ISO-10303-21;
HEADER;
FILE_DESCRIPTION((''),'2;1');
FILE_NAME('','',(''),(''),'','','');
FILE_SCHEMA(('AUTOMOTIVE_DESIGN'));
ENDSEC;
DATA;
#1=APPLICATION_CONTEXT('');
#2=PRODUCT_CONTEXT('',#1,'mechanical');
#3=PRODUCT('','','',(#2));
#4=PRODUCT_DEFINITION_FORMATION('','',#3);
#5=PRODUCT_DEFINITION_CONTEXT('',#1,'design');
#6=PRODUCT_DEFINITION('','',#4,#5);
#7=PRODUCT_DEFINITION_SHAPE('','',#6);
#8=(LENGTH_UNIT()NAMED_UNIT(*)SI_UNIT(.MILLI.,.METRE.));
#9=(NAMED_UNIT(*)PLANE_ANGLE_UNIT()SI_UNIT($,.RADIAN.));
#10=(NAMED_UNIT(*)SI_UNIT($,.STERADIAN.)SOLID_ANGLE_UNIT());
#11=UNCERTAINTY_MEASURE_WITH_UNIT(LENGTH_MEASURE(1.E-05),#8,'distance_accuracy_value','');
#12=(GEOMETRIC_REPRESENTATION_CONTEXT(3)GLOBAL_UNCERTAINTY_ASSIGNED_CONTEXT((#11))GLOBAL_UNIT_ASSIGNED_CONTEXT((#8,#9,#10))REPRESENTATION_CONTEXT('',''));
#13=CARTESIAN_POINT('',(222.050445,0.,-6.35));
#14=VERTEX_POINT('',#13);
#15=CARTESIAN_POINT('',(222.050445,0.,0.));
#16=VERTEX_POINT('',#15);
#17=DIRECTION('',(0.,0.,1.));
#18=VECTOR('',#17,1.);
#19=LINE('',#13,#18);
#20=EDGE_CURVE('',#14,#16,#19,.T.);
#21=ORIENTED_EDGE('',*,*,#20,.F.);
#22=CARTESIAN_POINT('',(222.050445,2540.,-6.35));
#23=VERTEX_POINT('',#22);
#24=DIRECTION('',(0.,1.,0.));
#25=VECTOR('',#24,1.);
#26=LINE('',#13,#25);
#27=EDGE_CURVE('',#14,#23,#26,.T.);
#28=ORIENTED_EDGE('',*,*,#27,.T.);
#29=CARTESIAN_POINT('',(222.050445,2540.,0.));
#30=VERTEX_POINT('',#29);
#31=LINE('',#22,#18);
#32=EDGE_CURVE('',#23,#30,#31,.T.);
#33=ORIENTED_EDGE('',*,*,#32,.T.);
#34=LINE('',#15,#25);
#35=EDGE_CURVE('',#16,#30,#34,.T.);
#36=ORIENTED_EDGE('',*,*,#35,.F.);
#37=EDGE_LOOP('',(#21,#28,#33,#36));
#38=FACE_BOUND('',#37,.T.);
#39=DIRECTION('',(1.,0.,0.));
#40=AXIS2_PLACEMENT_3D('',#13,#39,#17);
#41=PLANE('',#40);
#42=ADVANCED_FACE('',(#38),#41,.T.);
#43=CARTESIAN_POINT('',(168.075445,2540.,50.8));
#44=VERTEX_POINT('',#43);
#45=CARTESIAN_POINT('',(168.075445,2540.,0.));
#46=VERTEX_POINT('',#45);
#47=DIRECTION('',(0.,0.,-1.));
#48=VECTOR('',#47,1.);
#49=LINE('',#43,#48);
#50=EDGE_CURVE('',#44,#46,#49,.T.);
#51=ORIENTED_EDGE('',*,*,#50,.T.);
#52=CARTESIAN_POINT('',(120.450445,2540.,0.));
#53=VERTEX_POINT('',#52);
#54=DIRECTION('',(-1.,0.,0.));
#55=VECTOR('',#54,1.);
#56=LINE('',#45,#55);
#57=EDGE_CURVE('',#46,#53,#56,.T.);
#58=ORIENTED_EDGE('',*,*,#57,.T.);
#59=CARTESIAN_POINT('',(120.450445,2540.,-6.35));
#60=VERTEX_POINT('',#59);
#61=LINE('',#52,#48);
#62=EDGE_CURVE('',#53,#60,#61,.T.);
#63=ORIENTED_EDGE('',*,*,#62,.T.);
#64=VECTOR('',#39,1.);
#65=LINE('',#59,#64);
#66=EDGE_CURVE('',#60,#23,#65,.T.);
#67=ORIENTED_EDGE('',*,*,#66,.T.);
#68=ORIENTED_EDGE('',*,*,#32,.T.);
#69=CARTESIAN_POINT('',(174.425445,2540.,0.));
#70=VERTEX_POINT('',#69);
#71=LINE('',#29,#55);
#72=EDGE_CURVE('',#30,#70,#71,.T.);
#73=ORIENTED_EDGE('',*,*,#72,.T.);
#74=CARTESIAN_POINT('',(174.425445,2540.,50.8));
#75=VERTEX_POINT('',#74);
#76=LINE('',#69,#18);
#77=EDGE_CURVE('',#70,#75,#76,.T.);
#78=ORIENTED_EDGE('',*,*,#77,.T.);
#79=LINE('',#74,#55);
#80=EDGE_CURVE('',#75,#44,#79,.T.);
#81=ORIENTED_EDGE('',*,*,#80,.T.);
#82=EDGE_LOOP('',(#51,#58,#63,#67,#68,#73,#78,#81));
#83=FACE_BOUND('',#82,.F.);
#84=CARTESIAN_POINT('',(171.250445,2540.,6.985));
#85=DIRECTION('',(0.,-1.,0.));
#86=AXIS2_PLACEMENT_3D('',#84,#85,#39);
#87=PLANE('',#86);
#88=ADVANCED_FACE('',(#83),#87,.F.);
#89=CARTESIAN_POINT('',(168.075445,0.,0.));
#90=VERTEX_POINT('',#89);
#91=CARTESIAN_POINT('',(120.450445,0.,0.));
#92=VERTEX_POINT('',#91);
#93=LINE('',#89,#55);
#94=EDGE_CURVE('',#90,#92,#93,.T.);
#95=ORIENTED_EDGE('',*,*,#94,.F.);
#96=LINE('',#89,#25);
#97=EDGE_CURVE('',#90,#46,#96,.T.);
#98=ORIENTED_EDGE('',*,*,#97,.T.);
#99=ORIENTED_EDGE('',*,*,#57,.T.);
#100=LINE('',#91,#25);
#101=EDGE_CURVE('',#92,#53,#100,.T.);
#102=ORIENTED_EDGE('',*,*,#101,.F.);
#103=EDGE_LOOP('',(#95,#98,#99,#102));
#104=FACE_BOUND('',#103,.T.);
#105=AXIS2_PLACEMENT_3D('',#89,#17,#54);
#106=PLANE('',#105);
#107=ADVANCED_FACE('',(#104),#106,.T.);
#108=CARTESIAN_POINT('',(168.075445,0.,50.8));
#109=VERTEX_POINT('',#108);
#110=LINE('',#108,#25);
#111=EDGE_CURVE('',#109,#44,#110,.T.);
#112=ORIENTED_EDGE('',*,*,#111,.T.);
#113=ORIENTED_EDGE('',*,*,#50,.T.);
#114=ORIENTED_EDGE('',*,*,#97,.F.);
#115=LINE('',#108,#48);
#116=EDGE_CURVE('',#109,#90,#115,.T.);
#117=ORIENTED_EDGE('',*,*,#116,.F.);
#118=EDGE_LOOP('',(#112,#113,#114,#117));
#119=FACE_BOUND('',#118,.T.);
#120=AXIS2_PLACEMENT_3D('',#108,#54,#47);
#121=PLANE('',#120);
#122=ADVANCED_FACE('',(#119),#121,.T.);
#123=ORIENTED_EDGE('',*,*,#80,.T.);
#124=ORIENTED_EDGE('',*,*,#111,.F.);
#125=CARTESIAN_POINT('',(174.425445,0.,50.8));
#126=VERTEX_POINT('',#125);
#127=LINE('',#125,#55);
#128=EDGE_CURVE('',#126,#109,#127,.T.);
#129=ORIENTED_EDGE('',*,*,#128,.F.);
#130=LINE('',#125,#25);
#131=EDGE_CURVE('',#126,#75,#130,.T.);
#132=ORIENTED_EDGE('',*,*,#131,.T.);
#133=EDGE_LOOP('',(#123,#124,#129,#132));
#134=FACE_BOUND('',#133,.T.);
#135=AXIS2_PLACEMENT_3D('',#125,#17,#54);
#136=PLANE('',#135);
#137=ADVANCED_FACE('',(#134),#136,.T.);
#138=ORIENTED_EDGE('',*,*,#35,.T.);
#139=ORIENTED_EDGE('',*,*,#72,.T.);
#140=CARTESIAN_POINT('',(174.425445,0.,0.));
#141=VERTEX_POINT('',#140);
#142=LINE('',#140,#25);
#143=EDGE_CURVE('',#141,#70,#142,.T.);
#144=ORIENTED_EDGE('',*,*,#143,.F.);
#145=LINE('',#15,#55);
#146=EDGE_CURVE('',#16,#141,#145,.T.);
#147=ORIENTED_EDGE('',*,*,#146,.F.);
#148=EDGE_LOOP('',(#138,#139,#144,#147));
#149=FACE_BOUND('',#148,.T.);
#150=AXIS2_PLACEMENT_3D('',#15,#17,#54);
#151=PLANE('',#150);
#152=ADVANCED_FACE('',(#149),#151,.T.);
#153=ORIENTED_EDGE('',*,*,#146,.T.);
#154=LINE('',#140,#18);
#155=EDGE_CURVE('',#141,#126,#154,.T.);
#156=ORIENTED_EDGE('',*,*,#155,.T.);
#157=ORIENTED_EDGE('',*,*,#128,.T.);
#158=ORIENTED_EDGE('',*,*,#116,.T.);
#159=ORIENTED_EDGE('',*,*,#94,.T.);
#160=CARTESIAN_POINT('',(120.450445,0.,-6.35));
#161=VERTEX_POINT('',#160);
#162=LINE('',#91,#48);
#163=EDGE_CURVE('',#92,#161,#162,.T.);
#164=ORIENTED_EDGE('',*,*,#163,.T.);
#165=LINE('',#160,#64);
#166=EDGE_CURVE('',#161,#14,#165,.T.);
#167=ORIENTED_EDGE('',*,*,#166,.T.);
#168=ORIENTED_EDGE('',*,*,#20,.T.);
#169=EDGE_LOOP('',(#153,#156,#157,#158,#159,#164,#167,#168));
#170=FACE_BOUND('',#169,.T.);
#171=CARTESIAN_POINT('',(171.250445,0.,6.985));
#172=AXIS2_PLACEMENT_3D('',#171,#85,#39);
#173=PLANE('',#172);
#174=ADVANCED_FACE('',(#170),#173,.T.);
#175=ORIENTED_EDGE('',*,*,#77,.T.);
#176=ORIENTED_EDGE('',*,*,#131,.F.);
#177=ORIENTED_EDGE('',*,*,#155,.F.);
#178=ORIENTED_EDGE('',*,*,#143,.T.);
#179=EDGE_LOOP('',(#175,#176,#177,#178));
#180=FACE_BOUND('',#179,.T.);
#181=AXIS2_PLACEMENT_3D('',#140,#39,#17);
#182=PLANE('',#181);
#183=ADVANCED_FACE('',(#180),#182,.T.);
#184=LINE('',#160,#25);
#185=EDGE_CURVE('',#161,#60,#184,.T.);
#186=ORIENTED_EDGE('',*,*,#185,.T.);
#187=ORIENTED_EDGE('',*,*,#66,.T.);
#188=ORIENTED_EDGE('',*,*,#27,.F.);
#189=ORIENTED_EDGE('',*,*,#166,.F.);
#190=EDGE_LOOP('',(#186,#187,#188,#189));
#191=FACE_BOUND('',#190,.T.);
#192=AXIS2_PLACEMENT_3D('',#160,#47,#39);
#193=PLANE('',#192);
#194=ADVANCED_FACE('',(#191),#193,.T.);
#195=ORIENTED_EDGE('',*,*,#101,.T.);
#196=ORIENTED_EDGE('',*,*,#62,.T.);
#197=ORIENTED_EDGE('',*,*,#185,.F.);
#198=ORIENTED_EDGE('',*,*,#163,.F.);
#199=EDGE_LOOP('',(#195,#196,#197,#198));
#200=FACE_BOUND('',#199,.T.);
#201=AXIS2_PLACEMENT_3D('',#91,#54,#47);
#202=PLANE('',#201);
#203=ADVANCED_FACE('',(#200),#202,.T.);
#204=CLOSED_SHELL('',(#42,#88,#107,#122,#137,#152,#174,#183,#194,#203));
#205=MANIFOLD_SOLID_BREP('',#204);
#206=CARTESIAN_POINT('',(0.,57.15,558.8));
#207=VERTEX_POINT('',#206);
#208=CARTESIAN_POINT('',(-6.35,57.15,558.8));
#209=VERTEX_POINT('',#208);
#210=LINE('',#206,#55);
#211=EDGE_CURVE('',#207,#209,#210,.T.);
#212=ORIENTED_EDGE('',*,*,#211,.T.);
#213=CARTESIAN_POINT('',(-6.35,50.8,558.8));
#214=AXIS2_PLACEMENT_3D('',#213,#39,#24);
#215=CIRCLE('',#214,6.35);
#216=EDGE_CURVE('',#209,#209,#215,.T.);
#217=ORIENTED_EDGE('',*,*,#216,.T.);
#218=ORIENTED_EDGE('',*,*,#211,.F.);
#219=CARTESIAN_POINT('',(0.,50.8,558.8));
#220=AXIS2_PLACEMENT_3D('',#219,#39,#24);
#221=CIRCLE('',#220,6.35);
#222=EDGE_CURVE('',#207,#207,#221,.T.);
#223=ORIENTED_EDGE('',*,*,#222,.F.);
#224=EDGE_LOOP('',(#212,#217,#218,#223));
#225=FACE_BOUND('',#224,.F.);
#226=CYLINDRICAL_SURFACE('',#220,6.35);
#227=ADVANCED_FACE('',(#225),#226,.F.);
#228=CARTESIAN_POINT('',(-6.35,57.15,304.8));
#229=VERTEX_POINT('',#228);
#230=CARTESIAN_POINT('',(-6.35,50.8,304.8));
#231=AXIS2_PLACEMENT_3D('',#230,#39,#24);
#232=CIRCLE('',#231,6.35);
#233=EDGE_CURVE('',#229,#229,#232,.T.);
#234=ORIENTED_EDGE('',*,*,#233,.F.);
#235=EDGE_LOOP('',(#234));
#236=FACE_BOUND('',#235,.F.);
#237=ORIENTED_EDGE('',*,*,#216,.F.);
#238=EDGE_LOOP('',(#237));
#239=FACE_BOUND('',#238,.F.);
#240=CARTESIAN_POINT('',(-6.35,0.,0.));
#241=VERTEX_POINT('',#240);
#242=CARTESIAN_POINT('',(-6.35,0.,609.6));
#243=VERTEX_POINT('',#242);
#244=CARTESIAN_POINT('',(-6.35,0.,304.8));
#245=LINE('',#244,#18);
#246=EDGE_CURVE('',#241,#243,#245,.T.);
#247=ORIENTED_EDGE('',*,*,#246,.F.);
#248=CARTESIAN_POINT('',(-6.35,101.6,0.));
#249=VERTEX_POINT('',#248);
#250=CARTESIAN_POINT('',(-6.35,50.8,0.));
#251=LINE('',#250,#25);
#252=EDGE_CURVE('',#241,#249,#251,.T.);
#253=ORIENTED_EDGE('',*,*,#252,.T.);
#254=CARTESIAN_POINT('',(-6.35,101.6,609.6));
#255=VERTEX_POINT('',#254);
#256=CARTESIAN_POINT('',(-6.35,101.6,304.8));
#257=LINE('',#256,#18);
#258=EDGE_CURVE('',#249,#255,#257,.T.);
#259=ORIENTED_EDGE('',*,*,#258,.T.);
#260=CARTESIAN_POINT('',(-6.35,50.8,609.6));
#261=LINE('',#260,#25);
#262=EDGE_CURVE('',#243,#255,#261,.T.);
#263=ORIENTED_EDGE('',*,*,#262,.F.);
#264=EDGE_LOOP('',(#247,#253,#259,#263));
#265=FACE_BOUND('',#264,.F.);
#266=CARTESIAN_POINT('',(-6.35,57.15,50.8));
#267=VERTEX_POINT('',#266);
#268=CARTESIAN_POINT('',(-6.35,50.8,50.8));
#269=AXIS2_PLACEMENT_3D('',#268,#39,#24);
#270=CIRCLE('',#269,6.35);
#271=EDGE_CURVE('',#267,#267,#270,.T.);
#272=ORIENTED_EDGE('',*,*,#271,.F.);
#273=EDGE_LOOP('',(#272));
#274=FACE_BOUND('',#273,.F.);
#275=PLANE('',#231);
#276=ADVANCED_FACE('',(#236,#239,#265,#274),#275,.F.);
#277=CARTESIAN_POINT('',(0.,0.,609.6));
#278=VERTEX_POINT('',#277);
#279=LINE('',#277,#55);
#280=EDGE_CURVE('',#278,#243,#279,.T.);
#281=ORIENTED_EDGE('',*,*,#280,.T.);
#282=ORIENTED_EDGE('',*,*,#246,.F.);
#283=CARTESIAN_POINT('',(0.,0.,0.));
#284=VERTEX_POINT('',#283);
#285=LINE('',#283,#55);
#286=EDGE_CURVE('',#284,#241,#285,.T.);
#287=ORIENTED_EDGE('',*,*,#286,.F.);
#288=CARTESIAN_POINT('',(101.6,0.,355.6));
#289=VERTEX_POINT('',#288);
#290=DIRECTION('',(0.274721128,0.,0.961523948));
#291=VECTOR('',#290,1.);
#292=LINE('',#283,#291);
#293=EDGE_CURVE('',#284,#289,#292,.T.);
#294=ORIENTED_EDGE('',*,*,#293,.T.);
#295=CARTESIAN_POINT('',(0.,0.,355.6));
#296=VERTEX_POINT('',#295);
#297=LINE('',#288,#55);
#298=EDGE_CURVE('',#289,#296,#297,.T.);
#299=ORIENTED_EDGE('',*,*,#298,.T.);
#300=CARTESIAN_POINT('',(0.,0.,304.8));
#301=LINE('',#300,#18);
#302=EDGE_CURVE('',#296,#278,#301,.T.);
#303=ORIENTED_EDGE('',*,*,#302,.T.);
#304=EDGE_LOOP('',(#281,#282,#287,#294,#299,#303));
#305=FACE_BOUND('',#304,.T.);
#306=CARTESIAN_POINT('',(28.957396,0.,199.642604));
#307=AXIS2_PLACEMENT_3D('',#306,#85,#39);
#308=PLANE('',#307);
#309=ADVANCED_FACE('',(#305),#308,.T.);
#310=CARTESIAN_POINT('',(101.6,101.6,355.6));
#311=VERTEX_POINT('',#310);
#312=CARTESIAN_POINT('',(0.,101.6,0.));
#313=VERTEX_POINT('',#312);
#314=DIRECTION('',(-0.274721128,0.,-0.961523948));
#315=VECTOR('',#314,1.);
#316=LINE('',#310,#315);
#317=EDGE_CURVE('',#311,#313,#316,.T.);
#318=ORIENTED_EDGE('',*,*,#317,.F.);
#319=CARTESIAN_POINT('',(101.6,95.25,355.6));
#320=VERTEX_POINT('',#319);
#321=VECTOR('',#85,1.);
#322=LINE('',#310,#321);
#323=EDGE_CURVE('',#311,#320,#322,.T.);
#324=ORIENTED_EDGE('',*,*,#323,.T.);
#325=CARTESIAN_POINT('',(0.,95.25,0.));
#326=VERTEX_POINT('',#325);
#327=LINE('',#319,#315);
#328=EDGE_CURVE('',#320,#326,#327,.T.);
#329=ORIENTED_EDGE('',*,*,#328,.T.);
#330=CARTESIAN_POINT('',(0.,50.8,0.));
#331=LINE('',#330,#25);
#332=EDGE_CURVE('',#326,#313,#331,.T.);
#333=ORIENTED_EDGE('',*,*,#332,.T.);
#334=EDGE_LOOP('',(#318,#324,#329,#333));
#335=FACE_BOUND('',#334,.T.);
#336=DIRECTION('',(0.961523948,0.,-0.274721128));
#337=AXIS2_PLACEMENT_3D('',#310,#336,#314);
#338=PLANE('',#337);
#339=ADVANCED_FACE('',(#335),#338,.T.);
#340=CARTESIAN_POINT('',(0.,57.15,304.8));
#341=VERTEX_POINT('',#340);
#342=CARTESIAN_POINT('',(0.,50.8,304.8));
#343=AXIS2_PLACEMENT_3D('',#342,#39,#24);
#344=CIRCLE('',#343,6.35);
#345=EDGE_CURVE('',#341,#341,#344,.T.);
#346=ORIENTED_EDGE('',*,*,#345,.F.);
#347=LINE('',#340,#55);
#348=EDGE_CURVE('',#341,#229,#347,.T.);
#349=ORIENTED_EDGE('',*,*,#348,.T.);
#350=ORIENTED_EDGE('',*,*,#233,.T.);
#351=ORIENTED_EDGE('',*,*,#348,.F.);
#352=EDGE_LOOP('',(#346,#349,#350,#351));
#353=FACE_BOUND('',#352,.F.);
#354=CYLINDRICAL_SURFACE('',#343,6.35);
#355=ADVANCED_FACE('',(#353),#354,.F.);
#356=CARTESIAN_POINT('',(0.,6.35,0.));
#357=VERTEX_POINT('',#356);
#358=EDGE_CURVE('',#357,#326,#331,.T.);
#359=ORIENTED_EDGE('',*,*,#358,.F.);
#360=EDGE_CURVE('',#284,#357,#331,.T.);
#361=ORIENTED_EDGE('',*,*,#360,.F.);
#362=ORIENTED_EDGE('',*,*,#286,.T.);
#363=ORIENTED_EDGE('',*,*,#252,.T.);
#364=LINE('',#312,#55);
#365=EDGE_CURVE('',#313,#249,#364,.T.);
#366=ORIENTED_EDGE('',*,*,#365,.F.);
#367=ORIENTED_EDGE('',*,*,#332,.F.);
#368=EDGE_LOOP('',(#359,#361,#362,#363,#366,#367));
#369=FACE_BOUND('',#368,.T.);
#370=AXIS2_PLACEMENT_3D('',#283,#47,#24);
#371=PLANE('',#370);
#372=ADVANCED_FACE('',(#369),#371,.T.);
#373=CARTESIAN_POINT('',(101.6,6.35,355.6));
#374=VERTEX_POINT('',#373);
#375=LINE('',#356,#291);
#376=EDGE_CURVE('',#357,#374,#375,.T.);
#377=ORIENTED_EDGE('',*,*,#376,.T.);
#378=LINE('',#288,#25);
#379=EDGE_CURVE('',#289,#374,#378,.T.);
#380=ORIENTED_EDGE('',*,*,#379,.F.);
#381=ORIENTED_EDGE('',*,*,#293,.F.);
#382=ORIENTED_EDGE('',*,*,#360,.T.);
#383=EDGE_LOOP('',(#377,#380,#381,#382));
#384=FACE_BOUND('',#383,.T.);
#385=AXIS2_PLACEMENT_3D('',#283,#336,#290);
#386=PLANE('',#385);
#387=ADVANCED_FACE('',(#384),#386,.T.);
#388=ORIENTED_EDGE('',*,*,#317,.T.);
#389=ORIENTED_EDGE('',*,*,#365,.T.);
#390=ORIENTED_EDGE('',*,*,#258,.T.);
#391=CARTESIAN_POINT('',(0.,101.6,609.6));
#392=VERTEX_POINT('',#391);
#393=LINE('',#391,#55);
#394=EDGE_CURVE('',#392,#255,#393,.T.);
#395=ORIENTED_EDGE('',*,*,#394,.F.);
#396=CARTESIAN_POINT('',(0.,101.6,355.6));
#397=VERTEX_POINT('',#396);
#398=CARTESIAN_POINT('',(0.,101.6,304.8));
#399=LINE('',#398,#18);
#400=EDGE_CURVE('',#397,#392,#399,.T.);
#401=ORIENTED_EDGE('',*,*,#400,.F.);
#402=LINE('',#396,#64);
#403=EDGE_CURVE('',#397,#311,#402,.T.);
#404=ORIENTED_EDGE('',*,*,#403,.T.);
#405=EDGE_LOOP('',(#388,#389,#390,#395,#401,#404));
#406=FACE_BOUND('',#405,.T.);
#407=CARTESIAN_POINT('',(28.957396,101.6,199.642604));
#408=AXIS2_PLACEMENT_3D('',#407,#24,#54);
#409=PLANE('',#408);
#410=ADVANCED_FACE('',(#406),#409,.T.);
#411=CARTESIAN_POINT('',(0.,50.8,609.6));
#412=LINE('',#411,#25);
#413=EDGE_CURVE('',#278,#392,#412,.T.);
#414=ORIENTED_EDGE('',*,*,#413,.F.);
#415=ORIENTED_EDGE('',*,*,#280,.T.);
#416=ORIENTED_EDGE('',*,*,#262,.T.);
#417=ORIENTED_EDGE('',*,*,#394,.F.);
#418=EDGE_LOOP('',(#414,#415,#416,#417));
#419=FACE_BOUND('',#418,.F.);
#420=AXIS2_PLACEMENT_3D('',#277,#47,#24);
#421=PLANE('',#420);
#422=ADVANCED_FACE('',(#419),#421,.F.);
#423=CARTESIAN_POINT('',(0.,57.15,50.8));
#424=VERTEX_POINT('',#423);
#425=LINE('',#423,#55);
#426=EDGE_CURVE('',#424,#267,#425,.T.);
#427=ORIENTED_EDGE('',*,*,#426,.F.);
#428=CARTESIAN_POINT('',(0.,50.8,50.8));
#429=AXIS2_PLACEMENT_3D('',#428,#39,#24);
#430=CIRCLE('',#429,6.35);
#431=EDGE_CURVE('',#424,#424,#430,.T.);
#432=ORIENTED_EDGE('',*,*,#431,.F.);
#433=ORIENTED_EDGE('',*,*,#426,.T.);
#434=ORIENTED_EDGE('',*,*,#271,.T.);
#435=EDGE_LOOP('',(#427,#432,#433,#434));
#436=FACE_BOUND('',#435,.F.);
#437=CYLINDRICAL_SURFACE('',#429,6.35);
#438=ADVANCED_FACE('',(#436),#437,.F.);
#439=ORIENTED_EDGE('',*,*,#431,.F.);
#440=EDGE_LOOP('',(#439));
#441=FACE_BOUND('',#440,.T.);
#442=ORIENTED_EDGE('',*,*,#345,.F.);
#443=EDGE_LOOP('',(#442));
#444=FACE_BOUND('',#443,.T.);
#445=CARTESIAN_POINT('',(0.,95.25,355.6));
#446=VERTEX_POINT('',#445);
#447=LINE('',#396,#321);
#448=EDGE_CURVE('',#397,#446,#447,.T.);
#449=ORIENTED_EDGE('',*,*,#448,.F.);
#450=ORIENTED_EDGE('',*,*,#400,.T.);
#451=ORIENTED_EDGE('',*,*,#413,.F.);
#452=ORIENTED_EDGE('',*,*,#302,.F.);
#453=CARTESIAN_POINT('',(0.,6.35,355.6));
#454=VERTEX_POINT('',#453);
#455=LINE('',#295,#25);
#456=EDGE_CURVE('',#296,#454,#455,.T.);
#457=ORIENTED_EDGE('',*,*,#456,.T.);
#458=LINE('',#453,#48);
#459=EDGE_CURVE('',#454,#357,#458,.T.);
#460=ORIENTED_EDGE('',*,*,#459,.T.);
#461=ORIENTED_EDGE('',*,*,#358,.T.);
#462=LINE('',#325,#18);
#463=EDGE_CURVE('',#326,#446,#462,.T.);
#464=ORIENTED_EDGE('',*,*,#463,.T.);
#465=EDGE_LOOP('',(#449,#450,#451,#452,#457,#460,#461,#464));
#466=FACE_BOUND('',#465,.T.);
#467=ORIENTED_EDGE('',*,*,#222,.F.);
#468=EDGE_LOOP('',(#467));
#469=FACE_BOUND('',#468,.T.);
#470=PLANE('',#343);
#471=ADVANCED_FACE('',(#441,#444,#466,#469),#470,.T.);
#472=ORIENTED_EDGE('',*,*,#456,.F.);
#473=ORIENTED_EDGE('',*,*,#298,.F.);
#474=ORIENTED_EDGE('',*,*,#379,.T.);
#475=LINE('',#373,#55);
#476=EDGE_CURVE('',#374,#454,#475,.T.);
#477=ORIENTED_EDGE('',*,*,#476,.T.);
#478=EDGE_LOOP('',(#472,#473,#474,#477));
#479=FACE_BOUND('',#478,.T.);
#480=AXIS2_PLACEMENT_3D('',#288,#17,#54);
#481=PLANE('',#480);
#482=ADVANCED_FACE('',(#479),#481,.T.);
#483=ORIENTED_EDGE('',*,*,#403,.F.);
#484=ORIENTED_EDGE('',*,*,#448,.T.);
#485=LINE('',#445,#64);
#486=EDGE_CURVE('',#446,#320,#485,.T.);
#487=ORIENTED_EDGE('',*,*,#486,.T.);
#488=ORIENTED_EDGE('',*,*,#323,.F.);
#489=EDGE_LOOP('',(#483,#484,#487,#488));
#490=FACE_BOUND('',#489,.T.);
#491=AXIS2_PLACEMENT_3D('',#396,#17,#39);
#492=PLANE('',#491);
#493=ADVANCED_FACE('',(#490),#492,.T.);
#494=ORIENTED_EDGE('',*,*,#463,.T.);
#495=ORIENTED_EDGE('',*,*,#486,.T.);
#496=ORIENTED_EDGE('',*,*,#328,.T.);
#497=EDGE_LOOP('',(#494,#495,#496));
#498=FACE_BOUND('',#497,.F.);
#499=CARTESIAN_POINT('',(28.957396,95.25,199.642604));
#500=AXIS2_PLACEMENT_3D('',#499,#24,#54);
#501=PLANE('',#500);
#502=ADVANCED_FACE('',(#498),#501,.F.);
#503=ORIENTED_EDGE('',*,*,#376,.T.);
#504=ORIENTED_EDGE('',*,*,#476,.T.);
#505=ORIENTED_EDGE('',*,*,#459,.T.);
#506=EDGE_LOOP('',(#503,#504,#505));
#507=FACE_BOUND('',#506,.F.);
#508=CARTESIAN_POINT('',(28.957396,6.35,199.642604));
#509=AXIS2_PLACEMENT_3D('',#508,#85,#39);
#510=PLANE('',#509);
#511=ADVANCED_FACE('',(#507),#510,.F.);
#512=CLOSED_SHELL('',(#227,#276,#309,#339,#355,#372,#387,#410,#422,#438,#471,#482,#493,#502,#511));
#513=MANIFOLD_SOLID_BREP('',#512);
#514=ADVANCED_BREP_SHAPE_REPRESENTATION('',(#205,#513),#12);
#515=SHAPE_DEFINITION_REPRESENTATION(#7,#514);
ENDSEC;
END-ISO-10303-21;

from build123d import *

# Parameters (mm, degrees)
F0_W     = 101.6
F0_H     = 609.6
F0_R     = 6.35
F1_DEPTH = 6.35
F3_DEPTH = 6.35
F5_DEPTH = 6.35
F7_DEPTH = 2540


with BuildPart() as f1:
    # F0 (on Right) → F1 (new body)
    with BuildSketch(Plane.YZ):
        with Locations((50.8, 304.8)):
            Rectangle(F0_W, F0_H)
        with Locations((50.8, 50.8)):
            Circle(F0_R, mode=Mode.SUBTRACT)
        with Locations((50.8, 304.8)):
            Circle(F0_R, mode=Mode.SUBTRACT)
        with Locations((50.8, 558.8)):
            Circle(F0_R, mode=Mode.SUBTRACT)
    extrude(amount=-F1_DEPTH)

    # F2 (on Front) → F3 (join)
    with BuildSketch(Plane.XZ):
        Polygon((0, 355.6), (0, 0), (101.6, 355.6), align=None)
    extrude(amount=-F3_DEPTH)

    # F4 (on face) → F5 (join)
    with BuildSketch(Plane(origin=(0, 101.6, 0), x_dir=(-1, 0, 0), z_dir=(0, 1, 0))):
        Polygon((-101.6, 355.6), (0, 0), (0, 355.6), align=None)
    extrude(amount=-F5_DEPTH)


with BuildPart() as f7:
    # F6 (on Front) → F7 (new body)
    with BuildSketch(Plane.XZ):
        Polygon((168.075445, 50.8), (168.075445, 0), (120.450445, 0), (120.450445, -6.35), (222.050445, -6.35), (222.050445, 0), (174.425445, 0), (174.425445, 50.8), align=None)
    extrude(amount=-F7_DEPTH)


solid = Compound([f1.part, f7.part])
